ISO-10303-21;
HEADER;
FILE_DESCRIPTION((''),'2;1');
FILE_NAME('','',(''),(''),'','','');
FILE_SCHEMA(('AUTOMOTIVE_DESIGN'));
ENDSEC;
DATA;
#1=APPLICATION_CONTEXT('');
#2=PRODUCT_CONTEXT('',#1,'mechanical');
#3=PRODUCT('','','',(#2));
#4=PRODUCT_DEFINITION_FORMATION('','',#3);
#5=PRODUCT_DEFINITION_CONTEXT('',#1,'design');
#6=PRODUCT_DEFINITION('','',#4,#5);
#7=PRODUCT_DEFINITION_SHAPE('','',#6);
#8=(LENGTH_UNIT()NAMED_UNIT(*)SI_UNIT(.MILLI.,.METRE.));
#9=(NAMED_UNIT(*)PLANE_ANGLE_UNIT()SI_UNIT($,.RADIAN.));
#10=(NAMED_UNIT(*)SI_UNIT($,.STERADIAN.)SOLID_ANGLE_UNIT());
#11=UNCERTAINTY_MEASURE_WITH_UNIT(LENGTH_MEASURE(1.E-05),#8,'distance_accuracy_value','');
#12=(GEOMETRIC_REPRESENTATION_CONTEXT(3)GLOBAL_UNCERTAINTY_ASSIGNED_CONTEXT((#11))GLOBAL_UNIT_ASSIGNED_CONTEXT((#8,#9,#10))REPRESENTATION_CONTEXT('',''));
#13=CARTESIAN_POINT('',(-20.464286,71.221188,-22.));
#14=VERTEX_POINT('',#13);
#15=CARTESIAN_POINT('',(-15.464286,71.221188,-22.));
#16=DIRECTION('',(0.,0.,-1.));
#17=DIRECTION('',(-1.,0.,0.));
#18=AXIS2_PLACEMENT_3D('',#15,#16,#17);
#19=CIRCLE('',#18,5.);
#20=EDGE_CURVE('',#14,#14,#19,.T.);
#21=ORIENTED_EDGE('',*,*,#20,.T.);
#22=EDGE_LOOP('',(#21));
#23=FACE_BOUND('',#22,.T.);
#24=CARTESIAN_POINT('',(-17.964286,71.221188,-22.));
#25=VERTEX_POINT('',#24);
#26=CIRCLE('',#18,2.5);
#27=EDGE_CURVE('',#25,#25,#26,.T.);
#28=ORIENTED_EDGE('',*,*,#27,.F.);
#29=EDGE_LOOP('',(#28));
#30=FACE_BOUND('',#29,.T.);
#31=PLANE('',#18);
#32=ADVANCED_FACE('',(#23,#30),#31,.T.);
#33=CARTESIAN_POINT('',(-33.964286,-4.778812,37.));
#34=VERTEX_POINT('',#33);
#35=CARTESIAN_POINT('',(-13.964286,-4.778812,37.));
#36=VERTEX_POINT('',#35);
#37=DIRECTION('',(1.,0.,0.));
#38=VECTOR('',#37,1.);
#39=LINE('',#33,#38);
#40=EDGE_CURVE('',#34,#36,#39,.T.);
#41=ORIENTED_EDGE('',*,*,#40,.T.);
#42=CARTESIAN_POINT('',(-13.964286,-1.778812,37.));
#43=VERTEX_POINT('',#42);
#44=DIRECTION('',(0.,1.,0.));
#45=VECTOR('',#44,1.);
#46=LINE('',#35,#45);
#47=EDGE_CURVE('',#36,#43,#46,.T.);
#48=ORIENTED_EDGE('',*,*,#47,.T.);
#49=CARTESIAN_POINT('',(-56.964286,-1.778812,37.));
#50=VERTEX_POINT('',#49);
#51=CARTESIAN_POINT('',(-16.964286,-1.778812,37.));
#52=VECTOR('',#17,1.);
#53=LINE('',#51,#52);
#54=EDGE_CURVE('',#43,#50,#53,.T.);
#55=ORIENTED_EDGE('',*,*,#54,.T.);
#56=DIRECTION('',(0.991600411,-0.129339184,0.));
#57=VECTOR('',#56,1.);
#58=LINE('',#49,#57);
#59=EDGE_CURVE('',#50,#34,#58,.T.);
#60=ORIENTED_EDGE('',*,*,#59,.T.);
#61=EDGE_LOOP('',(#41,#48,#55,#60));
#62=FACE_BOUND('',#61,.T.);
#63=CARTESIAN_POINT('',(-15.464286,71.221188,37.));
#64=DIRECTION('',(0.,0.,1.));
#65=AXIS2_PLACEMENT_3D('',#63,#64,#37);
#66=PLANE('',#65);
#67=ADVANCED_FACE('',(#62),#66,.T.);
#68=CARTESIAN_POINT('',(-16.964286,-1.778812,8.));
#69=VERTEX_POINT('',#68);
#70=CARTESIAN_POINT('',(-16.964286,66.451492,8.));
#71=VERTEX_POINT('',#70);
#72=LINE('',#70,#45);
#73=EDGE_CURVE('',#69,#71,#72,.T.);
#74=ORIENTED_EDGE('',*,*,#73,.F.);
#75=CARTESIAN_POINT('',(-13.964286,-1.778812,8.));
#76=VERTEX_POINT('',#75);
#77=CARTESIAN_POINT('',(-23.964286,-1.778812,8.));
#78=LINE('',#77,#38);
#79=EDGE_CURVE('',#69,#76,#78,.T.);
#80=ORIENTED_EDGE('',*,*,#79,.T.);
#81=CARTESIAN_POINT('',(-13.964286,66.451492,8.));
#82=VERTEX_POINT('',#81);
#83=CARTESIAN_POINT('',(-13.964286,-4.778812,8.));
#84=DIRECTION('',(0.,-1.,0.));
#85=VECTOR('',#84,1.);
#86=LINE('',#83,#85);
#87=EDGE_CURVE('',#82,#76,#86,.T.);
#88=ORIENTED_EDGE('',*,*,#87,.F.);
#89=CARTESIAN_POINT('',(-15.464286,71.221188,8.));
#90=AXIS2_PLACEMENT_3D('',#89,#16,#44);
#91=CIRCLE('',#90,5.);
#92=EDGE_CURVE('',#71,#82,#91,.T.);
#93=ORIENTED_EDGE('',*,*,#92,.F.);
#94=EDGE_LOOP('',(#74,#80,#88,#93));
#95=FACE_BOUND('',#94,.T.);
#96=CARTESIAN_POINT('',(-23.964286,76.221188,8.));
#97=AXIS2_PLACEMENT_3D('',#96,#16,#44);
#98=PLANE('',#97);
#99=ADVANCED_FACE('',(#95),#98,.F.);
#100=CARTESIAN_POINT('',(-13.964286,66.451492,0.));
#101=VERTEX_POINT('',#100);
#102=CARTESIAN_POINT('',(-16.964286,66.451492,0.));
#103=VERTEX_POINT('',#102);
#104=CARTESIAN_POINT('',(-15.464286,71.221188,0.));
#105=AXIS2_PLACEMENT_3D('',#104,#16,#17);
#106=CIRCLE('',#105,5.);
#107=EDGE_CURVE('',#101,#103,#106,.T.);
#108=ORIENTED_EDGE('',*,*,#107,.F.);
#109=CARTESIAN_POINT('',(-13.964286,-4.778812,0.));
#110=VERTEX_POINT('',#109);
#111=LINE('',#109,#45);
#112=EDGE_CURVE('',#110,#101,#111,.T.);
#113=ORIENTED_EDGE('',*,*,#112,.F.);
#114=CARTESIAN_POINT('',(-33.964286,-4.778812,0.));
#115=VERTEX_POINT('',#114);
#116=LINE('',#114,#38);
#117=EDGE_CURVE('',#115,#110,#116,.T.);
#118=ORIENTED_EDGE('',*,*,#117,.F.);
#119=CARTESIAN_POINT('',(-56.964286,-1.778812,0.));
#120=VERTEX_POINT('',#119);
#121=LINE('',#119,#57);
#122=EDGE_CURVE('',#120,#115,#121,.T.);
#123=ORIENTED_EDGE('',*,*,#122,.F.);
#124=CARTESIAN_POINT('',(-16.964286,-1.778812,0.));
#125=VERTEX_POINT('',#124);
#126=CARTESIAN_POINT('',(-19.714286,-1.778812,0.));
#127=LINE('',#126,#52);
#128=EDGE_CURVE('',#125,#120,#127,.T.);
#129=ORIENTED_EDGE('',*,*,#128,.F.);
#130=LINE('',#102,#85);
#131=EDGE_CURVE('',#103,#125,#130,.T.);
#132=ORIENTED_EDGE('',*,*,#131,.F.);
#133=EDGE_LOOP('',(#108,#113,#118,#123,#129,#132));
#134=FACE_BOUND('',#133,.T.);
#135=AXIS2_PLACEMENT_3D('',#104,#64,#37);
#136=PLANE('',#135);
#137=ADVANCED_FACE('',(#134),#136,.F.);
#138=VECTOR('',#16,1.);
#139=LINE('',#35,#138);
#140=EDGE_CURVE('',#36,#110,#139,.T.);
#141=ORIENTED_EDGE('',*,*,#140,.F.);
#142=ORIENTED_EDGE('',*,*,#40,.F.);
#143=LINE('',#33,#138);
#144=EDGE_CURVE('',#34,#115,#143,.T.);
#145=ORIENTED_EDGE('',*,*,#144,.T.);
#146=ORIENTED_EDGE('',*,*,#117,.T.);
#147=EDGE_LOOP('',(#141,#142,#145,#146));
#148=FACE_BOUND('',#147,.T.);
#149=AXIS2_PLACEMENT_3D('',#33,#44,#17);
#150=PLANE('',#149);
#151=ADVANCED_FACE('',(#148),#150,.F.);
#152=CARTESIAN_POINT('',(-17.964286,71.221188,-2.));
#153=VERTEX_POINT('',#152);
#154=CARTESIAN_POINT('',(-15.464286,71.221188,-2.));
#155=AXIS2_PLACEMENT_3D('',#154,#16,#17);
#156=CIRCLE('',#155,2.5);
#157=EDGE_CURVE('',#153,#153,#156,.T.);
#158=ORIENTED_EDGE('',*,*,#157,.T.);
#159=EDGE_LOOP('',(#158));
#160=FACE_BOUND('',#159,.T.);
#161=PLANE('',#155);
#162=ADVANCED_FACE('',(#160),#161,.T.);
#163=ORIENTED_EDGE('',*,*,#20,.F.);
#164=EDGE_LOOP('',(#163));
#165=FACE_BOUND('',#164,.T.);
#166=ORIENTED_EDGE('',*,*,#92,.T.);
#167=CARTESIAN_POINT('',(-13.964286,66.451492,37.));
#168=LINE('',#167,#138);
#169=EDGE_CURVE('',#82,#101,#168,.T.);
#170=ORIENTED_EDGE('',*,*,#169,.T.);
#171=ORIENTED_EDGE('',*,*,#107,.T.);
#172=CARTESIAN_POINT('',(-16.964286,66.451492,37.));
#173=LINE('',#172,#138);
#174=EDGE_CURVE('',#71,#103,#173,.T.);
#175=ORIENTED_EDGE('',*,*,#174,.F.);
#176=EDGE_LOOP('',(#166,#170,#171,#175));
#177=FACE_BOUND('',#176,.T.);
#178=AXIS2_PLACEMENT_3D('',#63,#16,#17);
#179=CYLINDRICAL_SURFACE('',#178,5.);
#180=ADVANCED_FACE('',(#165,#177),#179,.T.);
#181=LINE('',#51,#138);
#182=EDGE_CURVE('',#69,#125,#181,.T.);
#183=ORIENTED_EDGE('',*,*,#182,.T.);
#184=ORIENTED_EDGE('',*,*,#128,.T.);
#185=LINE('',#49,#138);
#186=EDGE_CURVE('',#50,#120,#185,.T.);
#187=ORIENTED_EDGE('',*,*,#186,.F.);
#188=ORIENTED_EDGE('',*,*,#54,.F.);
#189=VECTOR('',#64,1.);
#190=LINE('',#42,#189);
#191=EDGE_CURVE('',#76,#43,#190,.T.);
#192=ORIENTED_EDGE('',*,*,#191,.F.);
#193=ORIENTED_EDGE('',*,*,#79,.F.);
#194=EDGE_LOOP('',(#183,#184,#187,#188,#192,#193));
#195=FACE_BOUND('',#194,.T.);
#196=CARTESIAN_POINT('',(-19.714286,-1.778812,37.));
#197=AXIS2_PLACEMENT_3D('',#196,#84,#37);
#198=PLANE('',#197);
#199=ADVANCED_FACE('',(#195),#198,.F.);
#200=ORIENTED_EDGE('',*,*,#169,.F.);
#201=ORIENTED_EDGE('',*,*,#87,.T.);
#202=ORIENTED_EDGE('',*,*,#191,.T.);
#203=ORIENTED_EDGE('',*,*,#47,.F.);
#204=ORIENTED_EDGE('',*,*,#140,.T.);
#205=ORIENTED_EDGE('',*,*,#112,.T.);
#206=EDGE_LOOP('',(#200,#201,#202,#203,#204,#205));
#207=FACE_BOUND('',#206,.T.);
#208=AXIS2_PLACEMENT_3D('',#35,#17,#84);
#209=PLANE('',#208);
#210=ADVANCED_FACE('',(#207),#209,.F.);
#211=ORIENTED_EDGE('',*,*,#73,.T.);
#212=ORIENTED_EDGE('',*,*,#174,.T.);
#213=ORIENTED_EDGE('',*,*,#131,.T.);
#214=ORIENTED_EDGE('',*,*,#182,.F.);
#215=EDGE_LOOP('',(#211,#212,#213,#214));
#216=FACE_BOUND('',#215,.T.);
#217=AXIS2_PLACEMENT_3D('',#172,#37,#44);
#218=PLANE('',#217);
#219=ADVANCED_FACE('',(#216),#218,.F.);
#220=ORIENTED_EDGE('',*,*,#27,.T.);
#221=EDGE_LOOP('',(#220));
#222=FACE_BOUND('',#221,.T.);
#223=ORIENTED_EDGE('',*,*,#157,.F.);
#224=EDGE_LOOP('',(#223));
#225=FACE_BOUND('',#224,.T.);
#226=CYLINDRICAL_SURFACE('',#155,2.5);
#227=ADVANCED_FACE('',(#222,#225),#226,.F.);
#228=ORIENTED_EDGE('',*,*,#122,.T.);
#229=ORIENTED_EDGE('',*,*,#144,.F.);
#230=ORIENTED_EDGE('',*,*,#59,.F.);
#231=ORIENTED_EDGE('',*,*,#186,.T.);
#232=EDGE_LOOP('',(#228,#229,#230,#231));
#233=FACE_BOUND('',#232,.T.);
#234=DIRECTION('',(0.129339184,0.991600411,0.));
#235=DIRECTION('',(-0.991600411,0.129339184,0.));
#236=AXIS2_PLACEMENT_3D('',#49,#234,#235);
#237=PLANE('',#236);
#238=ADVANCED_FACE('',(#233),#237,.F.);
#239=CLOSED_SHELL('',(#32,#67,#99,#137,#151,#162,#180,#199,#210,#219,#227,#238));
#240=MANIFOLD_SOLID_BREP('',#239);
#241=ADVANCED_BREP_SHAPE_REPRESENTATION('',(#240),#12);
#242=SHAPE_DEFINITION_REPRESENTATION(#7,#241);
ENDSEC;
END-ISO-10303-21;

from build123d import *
from build123d.topology import SkipClean

# Parameters (mm, degrees)
EXTRUDE_1_DEPTH     = 37
SKETCH_8_W          = 29
SKETCH_8_H          = 78
CUT_EXTRUDE_3_DEPTH = 10
EXTRUDE_START       = 22
SKETCH_10_R         = 5
EXTRUDE_4_DEPTH     = 22
SKETCH_11_R         = 2.5
CUT_EXTRUDE_4_DEPTH = 20


with BuildPart() as part:
    # 草图1 → 凸台-拉伸1 (new body)
    with BuildSketch(Plane.XY):
        with BuildLine():
            Line((-19.714285714, -1.778812154), (-56.964285714, -1.778812154))
            Line((-56.964285714, -1.778812154), (-33.964285714, -4.778812154))
            Line((-33.964285714, -4.778812154), (-13.964285714, -4.778812154))
            Line((-13.964285714, -4.778812154), (-13.964285714, 66.451491839))
            ThreePointArc((-13.964285714, 66.451491839), (-15.464285714, 76.221187846), (-16.964285714, 66.451491839))
            Line((-16.964285714, 66.451491839), (-16.964285714, -1.778812154))
            Line((-16.964285714, -1.778812154), (-19.714285714, -1.778812154))
        make_face()
    extrude(amount=EXTRUDE_1_DEPTH)

    # 草图8 → 切除-拉伸3 (cut, symmetric)
    with BuildSketch(Plane(origin=(-13.964285714, 0, 0), x_dir=(0, 0, -1), z_dir=(1, 0, 0))):
        with Locations((-22.5, 37.221187846)):
            Rectangle(SKETCH_8_W, SKETCH_8_H)
    extrude(amount=CUT_EXTRUDE_3_DEPTH, both=True, mode=Mode.SUBTRACT)

    # 草图10 → 凸台-拉伸4 (add)
    with SkipClean():  # the faces are left unmerged after this step: merging them gives an invalid solid
        with BuildSketch(Plane(origin=(0, 0, 0), x_dir=(-1, 0, 0), z_dir=(0, 0, -1)).offset(EXTRUDE_START)):
            with Locations((15.464285714, 71.221187846)):
                Circle(SKETCH_10_R)
        extrude(amount=-EXTRUDE_4_DEPTH)

    # 草图11 → 切除-拉伸4 (cut)
    with SkipClean():  # the faces are left unmerged after this step: merging them gives an invalid solid
        with BuildSketch(Plane(origin=(0, 0, -22), x_dir=(-1, 0, 0), z_dir=(0, 0, -1))):
            with Locations((15.464285714, 71.221187846)):
                Circle(SKETCH_11_R)
        extrude(amount=-CUT_EXTRUDE_4_DEPTH, mode=Mode.SUBTRACT)


solid = part.part
